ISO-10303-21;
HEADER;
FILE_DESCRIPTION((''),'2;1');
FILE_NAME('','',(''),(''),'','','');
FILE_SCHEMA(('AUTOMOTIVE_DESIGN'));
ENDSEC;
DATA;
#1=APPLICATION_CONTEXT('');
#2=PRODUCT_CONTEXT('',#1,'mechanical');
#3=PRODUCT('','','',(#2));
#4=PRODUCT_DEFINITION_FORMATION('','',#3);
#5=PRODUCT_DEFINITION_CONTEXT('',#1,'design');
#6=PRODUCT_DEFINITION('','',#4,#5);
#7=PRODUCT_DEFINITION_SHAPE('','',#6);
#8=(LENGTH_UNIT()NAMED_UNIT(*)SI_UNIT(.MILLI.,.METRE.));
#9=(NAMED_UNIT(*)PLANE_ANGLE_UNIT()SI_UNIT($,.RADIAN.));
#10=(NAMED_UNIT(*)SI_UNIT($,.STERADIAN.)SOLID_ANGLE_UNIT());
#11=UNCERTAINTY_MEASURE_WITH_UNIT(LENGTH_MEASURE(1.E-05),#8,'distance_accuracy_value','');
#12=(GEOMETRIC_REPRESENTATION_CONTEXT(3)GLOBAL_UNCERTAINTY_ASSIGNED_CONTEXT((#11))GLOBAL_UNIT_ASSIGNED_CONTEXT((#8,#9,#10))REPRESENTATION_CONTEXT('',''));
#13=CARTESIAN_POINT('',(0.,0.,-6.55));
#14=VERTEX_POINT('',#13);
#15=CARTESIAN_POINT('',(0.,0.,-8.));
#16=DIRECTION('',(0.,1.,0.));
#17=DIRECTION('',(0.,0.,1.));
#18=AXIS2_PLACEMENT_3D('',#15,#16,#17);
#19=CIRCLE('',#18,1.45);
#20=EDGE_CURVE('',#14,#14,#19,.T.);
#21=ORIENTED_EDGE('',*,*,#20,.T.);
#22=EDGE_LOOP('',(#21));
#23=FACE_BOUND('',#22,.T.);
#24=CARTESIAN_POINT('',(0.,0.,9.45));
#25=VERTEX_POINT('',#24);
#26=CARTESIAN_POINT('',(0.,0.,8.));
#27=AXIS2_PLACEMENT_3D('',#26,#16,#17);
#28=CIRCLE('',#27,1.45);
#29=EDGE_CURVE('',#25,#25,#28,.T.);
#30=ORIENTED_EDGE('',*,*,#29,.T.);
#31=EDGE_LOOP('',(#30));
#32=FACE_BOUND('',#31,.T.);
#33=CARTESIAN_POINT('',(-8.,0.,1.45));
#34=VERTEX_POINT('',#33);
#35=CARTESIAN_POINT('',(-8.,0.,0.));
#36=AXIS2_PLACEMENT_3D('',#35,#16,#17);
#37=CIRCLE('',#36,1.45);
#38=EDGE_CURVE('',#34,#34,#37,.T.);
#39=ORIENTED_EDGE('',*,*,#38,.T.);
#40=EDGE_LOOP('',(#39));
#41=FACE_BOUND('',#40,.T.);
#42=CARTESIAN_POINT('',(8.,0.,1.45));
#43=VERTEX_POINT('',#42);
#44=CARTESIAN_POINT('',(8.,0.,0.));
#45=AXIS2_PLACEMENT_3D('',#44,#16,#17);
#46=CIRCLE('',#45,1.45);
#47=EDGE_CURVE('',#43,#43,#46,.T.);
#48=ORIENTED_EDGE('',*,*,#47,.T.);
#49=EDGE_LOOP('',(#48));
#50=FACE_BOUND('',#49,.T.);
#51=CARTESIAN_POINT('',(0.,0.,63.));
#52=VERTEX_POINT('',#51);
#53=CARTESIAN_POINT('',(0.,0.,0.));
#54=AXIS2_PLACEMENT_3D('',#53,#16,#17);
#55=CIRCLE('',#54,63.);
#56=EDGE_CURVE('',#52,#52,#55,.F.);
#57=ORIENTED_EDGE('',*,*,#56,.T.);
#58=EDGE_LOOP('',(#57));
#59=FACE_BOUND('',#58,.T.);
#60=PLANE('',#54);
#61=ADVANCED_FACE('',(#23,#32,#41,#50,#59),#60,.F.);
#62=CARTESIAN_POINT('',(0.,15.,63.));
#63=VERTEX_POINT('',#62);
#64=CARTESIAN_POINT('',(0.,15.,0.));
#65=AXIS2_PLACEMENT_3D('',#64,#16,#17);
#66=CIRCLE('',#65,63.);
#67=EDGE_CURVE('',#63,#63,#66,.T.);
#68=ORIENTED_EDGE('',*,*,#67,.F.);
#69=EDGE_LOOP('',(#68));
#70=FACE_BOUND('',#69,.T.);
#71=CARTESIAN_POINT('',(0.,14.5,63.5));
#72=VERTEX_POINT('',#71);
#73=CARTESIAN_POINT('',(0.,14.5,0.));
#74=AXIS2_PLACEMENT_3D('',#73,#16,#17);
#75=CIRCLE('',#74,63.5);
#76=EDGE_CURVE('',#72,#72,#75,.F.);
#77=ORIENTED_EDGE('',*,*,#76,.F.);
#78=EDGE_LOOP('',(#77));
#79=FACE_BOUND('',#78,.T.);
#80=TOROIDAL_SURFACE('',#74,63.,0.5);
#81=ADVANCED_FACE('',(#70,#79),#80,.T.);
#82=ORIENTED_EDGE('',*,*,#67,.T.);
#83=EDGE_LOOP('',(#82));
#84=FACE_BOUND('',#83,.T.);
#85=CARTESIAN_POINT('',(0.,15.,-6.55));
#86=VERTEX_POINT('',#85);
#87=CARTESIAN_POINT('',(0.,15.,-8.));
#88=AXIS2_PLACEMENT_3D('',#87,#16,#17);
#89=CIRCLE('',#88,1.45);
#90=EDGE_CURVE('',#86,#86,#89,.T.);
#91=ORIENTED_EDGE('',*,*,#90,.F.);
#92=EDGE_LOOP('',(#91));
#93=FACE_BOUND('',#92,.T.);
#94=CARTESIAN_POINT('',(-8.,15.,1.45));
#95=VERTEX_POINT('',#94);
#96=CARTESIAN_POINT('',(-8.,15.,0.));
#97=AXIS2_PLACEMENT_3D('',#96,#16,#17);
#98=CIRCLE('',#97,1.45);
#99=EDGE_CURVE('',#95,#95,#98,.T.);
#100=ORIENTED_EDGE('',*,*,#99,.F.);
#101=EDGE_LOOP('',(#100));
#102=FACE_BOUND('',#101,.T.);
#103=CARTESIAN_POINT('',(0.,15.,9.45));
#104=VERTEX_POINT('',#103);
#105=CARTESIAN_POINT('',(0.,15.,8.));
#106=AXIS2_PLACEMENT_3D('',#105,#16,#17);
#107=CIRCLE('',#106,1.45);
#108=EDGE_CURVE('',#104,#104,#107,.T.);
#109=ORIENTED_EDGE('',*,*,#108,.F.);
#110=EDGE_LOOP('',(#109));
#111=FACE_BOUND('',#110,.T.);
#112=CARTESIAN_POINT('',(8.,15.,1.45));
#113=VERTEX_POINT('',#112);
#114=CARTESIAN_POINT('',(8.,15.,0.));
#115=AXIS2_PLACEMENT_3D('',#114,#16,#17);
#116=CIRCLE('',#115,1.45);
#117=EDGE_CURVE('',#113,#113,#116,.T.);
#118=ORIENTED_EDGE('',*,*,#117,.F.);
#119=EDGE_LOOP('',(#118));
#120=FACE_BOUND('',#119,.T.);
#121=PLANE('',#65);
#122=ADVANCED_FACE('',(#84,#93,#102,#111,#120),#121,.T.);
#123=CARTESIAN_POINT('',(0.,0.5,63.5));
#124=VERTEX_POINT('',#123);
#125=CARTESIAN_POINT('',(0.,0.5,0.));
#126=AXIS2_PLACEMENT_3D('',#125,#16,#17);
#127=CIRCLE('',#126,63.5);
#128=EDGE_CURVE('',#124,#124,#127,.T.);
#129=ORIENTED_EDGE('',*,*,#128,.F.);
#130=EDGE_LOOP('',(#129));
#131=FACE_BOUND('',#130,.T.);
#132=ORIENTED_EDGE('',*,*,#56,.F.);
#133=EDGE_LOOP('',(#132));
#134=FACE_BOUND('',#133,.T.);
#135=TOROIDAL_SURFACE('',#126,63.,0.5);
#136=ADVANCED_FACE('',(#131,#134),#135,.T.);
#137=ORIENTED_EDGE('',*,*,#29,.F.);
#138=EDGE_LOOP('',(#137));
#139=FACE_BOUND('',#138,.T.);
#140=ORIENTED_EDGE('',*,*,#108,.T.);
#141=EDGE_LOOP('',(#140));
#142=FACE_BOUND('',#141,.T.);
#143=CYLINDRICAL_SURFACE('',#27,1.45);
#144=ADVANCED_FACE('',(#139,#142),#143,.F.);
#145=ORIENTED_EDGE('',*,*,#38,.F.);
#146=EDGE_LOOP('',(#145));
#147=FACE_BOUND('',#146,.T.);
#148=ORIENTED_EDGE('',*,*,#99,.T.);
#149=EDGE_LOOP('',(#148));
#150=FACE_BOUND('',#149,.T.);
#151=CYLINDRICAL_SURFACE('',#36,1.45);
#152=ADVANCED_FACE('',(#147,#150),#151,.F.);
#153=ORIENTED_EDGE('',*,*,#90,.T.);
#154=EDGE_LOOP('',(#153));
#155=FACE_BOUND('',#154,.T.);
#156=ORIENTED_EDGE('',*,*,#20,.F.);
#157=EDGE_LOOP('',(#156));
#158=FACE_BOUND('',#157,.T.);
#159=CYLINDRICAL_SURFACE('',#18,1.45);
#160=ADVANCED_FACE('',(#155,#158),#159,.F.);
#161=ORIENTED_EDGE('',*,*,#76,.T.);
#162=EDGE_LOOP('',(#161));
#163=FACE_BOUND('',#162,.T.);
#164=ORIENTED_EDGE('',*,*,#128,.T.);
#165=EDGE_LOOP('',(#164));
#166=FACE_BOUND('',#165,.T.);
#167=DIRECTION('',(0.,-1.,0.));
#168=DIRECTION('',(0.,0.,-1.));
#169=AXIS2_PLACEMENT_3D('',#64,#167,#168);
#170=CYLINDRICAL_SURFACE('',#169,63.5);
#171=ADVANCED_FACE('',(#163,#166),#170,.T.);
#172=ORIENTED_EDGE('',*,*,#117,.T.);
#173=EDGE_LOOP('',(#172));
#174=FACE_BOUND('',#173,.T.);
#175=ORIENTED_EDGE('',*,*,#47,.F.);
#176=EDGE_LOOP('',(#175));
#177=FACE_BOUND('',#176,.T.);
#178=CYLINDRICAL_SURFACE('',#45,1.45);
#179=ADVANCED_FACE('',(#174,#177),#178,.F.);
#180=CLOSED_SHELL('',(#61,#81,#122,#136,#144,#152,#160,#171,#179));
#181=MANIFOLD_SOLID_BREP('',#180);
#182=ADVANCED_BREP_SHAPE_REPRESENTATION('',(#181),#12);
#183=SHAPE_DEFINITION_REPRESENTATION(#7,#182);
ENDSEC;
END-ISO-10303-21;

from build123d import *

# Parameters (mm, degrees)
SKETCH2_R           = 63.5
BOSS_EXTRUDE1_DEPTH = 15
SKETCH3_R           = 1.45
CUT_EXTRUDE1_DEPTH  = 92.046691318
FILLET2_R           = 0.5


with BuildPart() as part:
    # Sketch2 → Boss-Extrude1 (new body)
    with BuildSketch(Plane(origin=(0, 0, 0), x_dir=(1, 0, 0), z_dir=(0, 1, 0))):
        with Locations(Location((0, 0, 0), (0, 0, 270))):
            Circle(SKETCH2_R)
    extrude(amount=BOSS_EXTRUDE1_DEPTH)

    # Sketch3 → Cut-Extrude1 (cut, through all)
    with BuildSketch(Plane(origin=(0, 15, 0), x_dir=(1, 0, 0), z_dir=(0, 1, 0))):
        with Locations(Location((0, 8, 0), (0, 0, 270))):
            Circle(SKETCH3_R)
        with Locations(Location((8, 0, 0), (0, 0, 270))):
            Circle(SKETCH3_R)
        with Locations(Location((0, -8, 0), (0, 0, 270))):
            Circle(SKETCH3_R)
        with Locations(Location((-8, 0, 0), (0, 0, 270))):
            Circle(SKETCH3_R)
    extrude(amount=-CUT_EXTRUDE1_DEPTH, mode=Mode.SUBTRACT)

    # Fillet2
    fillet2_edges = [part.edges().sort_by_distance(p)[0] for p in [
        (0, 0, -63.5),
        (0, 15, -63.5),
    ]]
    fillet(fillet2_edges, radius=FILLET2_R)


solid = part.part
